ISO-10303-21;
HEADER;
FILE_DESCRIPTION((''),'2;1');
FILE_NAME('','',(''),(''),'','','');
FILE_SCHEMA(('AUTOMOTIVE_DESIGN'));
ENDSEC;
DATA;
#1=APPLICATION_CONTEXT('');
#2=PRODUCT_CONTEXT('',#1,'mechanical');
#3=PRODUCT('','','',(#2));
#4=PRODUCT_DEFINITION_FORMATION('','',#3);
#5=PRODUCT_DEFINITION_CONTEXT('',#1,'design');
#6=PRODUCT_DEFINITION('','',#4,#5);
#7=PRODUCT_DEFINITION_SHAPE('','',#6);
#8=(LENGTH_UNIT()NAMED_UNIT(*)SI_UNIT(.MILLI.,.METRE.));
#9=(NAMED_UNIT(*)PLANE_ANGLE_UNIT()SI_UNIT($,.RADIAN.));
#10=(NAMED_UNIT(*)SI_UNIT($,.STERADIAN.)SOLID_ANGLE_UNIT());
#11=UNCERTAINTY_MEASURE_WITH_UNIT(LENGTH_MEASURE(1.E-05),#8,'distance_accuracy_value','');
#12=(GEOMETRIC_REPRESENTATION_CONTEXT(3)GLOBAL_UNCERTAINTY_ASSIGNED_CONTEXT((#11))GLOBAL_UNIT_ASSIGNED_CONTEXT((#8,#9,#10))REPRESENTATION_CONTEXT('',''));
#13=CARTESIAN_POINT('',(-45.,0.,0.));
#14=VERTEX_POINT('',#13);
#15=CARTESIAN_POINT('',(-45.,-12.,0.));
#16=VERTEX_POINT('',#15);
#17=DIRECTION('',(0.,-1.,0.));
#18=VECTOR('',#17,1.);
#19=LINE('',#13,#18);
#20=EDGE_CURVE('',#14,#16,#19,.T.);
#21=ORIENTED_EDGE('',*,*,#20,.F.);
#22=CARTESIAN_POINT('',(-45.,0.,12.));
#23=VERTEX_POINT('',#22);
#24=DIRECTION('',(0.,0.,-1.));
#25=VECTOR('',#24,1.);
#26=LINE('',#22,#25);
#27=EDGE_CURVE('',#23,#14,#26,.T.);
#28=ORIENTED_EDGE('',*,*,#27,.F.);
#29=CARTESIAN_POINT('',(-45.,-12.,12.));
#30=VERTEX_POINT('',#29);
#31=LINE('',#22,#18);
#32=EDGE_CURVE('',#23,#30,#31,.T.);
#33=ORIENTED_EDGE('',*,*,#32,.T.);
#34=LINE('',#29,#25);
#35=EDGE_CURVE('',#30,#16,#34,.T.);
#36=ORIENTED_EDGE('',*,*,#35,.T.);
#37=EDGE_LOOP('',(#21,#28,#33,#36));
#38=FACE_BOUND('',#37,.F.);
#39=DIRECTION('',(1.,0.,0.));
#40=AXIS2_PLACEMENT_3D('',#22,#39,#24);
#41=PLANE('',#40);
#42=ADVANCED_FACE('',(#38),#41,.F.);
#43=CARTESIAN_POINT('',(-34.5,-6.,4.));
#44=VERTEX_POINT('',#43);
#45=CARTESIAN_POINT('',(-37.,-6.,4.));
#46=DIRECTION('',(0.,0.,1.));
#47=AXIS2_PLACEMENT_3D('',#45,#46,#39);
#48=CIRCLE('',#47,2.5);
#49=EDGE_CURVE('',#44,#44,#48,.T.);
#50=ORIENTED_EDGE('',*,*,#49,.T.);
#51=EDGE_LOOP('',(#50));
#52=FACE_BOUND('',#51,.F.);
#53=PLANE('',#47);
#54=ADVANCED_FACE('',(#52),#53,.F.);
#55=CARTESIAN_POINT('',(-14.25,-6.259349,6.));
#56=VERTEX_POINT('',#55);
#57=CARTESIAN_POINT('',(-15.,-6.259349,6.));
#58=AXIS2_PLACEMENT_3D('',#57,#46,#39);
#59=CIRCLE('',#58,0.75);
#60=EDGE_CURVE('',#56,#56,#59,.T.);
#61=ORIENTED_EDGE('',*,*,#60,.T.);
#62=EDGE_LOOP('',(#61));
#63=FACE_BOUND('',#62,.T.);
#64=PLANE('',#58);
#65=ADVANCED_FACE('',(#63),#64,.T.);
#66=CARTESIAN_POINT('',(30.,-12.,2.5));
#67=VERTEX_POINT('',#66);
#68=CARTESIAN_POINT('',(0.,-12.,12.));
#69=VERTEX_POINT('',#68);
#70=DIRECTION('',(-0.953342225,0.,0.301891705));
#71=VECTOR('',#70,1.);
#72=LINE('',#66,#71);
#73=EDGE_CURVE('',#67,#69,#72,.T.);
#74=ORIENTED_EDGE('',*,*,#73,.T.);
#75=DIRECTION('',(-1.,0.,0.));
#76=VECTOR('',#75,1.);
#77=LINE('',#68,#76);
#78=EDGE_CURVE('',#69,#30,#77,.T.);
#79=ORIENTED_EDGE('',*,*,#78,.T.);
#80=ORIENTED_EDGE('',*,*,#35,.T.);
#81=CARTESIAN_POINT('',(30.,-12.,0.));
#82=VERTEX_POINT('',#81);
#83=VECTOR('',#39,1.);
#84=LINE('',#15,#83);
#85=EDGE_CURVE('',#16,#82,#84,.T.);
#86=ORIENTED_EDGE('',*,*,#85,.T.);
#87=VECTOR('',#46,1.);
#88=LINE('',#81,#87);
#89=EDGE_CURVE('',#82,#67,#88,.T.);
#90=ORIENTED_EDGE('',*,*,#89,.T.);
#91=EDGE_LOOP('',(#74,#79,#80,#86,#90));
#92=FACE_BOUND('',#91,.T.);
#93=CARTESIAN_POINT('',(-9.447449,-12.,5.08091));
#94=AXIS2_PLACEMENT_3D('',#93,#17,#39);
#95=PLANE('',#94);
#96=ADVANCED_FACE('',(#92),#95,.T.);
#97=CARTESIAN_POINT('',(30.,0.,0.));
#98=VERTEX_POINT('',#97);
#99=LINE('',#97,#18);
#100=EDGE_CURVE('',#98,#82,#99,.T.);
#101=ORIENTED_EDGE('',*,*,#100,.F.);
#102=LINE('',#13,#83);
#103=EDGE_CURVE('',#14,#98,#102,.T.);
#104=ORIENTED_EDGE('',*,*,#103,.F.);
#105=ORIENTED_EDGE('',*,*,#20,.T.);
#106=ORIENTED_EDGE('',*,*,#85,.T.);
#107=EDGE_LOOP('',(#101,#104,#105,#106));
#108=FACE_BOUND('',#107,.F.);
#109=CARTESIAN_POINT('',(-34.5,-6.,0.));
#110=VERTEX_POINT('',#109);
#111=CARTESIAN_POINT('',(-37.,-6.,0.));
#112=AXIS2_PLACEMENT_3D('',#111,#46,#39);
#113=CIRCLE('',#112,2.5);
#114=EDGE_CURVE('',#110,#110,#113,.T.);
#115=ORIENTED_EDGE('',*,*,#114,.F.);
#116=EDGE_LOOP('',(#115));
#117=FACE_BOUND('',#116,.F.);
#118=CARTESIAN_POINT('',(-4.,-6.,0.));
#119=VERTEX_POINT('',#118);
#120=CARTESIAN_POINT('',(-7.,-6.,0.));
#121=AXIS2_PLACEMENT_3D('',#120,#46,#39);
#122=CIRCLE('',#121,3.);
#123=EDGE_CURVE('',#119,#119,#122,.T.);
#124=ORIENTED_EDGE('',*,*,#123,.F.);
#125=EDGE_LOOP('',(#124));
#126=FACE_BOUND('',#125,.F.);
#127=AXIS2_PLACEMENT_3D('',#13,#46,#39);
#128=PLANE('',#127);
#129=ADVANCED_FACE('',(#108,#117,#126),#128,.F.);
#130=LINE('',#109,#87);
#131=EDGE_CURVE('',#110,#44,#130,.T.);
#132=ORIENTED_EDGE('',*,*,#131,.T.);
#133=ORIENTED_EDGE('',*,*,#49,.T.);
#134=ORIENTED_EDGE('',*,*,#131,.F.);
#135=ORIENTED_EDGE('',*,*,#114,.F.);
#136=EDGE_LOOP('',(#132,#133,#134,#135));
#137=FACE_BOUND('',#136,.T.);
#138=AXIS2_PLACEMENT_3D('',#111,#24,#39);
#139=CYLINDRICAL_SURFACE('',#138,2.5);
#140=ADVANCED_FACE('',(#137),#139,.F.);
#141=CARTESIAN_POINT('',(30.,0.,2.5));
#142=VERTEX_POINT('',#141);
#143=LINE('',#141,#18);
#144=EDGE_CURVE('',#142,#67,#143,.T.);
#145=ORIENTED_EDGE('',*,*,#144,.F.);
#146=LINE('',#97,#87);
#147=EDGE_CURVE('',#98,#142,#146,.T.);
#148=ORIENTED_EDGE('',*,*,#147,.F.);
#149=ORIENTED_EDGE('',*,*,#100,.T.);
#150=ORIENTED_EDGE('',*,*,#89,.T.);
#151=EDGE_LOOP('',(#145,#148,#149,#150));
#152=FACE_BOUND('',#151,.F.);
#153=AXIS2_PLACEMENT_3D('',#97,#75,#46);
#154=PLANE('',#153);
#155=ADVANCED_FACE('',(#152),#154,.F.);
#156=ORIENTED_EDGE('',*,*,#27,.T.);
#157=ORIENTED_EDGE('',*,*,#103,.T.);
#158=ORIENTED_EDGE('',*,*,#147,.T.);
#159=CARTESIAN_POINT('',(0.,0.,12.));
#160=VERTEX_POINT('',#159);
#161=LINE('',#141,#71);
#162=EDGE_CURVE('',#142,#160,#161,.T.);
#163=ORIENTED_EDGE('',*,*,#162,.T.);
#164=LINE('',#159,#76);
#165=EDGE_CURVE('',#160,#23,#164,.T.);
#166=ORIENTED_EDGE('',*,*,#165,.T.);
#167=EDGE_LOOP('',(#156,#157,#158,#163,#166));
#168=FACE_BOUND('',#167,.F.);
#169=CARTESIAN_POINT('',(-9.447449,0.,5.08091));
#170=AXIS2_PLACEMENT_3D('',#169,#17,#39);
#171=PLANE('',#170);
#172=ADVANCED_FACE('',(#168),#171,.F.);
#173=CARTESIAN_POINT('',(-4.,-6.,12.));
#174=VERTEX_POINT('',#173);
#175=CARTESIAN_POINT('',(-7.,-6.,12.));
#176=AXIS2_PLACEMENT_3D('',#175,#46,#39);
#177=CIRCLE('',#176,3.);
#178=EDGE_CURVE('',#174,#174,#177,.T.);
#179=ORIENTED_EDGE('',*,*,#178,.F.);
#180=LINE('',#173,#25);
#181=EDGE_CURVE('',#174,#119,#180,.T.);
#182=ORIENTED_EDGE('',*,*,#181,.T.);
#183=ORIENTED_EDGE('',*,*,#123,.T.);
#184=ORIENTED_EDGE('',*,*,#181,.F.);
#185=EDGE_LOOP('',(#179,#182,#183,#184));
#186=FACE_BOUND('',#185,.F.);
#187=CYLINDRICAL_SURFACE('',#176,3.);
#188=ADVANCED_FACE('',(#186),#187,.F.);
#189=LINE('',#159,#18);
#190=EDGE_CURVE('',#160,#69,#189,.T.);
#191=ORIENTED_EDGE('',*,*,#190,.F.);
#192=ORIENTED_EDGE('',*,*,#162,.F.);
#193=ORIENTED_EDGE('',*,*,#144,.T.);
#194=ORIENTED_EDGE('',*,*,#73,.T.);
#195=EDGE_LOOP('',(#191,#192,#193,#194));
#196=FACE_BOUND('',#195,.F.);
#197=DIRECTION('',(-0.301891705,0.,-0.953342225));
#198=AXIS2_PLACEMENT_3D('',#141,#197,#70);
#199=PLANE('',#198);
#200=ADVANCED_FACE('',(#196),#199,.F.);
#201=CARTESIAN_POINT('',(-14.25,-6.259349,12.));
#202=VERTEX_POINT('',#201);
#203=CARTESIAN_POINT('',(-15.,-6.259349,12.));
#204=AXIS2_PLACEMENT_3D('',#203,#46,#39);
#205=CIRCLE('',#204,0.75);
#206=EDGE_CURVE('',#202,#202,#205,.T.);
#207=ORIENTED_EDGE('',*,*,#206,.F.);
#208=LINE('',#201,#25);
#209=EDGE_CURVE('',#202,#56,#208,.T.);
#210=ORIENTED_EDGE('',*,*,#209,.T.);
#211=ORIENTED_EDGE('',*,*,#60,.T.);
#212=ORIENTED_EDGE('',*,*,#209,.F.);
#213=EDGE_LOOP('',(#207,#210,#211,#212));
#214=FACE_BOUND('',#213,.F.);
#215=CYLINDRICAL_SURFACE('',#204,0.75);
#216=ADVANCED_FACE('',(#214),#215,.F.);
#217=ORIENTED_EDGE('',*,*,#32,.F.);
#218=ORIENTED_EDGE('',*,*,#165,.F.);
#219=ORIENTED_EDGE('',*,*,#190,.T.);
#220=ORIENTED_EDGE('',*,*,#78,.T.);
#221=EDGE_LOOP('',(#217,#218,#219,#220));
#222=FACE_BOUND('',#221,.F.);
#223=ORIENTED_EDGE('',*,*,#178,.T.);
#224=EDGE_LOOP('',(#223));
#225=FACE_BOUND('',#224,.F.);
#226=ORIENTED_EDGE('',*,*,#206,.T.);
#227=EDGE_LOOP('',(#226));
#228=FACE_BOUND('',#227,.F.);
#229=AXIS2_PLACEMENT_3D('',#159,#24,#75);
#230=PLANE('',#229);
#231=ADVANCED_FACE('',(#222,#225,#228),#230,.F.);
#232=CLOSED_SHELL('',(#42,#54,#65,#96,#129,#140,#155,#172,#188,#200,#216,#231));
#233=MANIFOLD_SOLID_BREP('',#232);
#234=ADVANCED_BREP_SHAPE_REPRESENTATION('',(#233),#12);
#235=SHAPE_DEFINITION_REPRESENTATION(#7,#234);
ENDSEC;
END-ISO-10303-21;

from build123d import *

# Parameters (mm, degrees)
F1_DEPTH = 12
F2_R     = 3
F3_DEPTH = 25
F4_R     = 0.75
F5_DEPTH = 6
F6_R     = 2.5
F7_DEPTH = 4


with BuildPart() as f1:
    # F0 (on Front) → F1 (new body)
    with BuildSketch(Plane.XZ):
        Polygon((0, 12), (-45, 12), (-45, 0), (30, 0), (30, 2.5), align=None)
    extrude(amount=F1_DEPTH)

    # F2 (on face) → F3 (cut)
    with BuildSketch(Plane.XY.offset(12)):
        with Locations((-7, -6)):
            Circle(F2_R)
    extrude(amount=-F3_DEPTH, mode=Mode.SUBTRACT)

    # F4 (on face) → F5 (cut)
    with BuildSketch(Plane.XY.offset(12)):
        with Locations((-15, -6.259349)):
            Circle(F4_R)
    extrude(amount=-F5_DEPTH, mode=Mode.SUBTRACT)

    # F6 (on Top) → F7 (cut)
    with BuildSketch(Plane.XY):
        with Locations((-37, -6)):
            Circle(F6_R)
    extrude(amount=F7_DEPTH, mode=Mode.SUBTRACT)


solid = f1.part
